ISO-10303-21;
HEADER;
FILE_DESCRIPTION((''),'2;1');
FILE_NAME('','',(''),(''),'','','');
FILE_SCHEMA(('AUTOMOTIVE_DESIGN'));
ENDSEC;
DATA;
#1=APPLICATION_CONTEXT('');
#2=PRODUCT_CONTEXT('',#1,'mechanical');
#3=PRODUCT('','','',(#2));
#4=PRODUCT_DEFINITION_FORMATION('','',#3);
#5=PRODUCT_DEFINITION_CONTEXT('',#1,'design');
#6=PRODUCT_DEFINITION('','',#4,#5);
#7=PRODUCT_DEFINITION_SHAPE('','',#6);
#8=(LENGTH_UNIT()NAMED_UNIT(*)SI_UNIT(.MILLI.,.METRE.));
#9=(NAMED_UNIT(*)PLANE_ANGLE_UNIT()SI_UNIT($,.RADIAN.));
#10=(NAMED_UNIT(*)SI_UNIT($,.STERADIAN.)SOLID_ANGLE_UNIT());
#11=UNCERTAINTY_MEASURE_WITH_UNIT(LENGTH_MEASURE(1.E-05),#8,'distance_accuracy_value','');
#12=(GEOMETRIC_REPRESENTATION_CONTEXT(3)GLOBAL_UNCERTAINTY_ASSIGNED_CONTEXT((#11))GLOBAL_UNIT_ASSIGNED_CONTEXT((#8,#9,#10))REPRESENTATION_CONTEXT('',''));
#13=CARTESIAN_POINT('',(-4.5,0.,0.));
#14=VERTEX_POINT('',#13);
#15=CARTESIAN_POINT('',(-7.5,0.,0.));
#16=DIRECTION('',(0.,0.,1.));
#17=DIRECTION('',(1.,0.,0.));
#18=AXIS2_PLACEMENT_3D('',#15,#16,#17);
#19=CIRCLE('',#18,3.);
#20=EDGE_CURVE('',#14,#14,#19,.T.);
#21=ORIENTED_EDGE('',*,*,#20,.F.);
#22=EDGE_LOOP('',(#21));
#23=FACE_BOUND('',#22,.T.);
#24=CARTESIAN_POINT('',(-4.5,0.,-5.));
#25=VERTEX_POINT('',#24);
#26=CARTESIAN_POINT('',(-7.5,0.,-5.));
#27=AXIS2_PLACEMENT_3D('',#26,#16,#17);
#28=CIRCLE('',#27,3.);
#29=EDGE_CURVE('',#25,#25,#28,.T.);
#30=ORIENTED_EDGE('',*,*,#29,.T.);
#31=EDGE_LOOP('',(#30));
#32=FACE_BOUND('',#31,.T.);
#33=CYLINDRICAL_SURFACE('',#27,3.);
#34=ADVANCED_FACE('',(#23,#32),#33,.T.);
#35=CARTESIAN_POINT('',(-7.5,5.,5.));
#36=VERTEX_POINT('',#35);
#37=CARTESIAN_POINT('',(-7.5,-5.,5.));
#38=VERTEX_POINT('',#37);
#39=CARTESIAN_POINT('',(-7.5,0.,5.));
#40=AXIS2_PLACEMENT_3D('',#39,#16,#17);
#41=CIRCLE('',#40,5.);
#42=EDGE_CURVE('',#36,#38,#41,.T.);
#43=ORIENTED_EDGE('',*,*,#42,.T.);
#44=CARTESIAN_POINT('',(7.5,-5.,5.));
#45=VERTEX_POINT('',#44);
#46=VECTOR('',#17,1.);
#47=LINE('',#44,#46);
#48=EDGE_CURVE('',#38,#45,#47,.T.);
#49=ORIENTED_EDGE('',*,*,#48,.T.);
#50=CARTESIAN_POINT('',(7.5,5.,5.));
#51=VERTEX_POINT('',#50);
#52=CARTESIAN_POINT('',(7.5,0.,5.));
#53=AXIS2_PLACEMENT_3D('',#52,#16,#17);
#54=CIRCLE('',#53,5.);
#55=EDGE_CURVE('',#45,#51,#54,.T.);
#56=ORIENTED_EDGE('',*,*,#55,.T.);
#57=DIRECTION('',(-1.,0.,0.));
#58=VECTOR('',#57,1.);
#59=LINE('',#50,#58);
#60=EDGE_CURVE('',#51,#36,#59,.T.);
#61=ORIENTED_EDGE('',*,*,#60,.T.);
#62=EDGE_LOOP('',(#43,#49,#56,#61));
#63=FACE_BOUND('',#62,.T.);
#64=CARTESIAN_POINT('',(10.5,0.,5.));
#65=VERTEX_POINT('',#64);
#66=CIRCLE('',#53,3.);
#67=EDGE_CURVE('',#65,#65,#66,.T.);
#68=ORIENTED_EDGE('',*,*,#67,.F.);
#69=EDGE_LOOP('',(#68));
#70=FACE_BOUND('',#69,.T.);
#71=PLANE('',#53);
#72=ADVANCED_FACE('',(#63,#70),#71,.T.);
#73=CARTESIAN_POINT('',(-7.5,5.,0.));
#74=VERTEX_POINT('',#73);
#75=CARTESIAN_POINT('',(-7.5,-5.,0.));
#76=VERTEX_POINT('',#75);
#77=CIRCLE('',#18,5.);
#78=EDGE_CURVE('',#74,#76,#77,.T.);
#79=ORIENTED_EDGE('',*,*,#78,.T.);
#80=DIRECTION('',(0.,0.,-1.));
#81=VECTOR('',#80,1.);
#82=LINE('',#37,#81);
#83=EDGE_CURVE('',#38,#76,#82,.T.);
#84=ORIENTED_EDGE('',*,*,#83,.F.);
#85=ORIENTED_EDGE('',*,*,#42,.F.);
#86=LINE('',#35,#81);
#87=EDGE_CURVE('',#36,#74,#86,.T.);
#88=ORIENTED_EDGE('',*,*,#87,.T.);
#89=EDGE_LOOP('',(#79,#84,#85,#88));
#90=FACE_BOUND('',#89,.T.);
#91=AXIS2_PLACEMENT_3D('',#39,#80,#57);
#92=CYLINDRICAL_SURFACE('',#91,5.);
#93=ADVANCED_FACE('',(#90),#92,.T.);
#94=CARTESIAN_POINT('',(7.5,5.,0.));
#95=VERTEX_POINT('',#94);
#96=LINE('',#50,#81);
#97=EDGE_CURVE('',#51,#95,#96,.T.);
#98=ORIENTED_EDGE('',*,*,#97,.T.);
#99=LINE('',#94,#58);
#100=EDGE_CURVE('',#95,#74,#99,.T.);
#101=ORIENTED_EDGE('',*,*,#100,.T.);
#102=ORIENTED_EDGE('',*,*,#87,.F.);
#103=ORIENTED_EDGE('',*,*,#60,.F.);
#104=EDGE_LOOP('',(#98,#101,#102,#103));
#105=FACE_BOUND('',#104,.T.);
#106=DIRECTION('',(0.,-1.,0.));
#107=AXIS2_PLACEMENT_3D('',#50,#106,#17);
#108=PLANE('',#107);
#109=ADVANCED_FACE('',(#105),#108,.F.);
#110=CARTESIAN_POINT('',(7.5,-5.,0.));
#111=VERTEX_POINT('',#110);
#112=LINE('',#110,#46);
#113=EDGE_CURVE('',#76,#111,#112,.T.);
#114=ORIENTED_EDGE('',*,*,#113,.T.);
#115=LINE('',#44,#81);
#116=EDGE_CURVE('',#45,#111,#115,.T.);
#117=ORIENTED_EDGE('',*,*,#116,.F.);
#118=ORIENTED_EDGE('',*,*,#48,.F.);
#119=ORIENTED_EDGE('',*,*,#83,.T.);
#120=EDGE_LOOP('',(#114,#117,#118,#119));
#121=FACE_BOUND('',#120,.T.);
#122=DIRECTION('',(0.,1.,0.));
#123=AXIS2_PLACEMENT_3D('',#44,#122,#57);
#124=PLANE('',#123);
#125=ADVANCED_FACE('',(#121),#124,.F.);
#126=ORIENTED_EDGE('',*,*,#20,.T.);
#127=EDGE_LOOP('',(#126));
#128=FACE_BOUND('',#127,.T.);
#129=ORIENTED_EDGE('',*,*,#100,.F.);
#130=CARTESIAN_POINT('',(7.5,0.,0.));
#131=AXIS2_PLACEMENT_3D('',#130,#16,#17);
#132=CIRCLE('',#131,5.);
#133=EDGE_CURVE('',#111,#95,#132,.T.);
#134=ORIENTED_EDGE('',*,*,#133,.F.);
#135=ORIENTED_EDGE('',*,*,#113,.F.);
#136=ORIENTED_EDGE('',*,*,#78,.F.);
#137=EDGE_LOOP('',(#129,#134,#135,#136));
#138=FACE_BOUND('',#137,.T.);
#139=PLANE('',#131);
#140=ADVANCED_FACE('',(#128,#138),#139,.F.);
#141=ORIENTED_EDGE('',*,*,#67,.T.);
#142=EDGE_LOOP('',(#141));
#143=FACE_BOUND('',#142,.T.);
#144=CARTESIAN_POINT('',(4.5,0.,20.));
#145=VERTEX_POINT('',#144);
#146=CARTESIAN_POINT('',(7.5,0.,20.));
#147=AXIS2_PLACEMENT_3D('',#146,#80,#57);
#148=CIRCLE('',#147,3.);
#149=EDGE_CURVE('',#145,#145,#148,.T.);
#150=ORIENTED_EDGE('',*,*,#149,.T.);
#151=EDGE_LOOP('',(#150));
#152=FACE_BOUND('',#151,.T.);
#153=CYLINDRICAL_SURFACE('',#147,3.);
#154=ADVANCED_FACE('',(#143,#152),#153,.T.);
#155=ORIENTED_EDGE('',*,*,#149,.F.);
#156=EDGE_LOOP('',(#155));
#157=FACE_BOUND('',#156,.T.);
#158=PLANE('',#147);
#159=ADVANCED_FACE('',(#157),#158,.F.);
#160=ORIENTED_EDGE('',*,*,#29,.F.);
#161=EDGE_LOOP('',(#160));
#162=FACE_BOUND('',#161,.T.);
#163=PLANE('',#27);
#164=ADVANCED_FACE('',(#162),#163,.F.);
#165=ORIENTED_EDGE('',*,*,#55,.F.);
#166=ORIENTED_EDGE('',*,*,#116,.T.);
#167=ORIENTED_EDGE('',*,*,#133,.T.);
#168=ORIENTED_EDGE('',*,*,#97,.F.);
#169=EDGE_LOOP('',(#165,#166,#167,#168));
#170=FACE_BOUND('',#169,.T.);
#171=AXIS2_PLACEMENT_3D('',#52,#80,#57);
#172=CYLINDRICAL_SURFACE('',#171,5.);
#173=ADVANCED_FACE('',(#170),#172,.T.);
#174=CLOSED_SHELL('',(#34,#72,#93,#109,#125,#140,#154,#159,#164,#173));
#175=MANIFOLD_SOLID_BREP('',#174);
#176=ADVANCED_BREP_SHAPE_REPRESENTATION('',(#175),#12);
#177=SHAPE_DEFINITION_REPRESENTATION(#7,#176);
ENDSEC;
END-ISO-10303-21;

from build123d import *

# Parameters (mm, degrees)
SKETCH1_R           = 3
BOSS_EXTRUDE1_DEPTH = 5
BOSS_EXTRUDE2_START = -10
SKETCH2_R           = 3
BOSS_EXTRUDE2_DEPTH = 10
SKETCH3_R           = 3
BOSS_EXTRUDE3_DEPTH = 20


with BuildPart() as part:
    # Sketch1 → Boss-Extrude1 (new body)
    with BuildSketch(Plane.XY):
        with BuildLine():
            Line((7.5, -5), (-7.5, -5))
            ThreePointArc((-7.5, -5), (-12.5, 0), (-7.5, 5))
            Line((-7.5, 5), (7.5, 5))
            ThreePointArc((7.5, 5), (12.5, 0), (7.5, -5))
        make_face()
        with Locations((-7.5, 0)):
            Circle(SKETCH1_R, mode=Mode.SUBTRACT)
        with Locations((7.5, 0)):
            Circle(SKETCH1_R, mode=Mode.SUBTRACT)
    extrude(amount=BOSS_EXTRUDE1_DEPTH)

    # Sketch2 → Boss-Extrude2 (add)
    with BuildSketch(Plane.XY.offset(5).offset(BOSS_EXTRUDE2_START)):
        with Locations((-7.5, 0)):
            Circle(SKETCH2_R)
    extrude(amount=BOSS_EXTRUDE2_DEPTH)

    # Sketch3 → Boss-Extrude3 (add)
    with BuildSketch(Plane(origin=(0, 0, 0), x_dir=(-1, 0, 0), z_dir=(0, 0, -1))):
        with Locations((-7.5, 0)):
            Circle(SKETCH3_R)
    extrude(amount=-BOSS_EXTRUDE3_DEPTH)


solid = part.part
